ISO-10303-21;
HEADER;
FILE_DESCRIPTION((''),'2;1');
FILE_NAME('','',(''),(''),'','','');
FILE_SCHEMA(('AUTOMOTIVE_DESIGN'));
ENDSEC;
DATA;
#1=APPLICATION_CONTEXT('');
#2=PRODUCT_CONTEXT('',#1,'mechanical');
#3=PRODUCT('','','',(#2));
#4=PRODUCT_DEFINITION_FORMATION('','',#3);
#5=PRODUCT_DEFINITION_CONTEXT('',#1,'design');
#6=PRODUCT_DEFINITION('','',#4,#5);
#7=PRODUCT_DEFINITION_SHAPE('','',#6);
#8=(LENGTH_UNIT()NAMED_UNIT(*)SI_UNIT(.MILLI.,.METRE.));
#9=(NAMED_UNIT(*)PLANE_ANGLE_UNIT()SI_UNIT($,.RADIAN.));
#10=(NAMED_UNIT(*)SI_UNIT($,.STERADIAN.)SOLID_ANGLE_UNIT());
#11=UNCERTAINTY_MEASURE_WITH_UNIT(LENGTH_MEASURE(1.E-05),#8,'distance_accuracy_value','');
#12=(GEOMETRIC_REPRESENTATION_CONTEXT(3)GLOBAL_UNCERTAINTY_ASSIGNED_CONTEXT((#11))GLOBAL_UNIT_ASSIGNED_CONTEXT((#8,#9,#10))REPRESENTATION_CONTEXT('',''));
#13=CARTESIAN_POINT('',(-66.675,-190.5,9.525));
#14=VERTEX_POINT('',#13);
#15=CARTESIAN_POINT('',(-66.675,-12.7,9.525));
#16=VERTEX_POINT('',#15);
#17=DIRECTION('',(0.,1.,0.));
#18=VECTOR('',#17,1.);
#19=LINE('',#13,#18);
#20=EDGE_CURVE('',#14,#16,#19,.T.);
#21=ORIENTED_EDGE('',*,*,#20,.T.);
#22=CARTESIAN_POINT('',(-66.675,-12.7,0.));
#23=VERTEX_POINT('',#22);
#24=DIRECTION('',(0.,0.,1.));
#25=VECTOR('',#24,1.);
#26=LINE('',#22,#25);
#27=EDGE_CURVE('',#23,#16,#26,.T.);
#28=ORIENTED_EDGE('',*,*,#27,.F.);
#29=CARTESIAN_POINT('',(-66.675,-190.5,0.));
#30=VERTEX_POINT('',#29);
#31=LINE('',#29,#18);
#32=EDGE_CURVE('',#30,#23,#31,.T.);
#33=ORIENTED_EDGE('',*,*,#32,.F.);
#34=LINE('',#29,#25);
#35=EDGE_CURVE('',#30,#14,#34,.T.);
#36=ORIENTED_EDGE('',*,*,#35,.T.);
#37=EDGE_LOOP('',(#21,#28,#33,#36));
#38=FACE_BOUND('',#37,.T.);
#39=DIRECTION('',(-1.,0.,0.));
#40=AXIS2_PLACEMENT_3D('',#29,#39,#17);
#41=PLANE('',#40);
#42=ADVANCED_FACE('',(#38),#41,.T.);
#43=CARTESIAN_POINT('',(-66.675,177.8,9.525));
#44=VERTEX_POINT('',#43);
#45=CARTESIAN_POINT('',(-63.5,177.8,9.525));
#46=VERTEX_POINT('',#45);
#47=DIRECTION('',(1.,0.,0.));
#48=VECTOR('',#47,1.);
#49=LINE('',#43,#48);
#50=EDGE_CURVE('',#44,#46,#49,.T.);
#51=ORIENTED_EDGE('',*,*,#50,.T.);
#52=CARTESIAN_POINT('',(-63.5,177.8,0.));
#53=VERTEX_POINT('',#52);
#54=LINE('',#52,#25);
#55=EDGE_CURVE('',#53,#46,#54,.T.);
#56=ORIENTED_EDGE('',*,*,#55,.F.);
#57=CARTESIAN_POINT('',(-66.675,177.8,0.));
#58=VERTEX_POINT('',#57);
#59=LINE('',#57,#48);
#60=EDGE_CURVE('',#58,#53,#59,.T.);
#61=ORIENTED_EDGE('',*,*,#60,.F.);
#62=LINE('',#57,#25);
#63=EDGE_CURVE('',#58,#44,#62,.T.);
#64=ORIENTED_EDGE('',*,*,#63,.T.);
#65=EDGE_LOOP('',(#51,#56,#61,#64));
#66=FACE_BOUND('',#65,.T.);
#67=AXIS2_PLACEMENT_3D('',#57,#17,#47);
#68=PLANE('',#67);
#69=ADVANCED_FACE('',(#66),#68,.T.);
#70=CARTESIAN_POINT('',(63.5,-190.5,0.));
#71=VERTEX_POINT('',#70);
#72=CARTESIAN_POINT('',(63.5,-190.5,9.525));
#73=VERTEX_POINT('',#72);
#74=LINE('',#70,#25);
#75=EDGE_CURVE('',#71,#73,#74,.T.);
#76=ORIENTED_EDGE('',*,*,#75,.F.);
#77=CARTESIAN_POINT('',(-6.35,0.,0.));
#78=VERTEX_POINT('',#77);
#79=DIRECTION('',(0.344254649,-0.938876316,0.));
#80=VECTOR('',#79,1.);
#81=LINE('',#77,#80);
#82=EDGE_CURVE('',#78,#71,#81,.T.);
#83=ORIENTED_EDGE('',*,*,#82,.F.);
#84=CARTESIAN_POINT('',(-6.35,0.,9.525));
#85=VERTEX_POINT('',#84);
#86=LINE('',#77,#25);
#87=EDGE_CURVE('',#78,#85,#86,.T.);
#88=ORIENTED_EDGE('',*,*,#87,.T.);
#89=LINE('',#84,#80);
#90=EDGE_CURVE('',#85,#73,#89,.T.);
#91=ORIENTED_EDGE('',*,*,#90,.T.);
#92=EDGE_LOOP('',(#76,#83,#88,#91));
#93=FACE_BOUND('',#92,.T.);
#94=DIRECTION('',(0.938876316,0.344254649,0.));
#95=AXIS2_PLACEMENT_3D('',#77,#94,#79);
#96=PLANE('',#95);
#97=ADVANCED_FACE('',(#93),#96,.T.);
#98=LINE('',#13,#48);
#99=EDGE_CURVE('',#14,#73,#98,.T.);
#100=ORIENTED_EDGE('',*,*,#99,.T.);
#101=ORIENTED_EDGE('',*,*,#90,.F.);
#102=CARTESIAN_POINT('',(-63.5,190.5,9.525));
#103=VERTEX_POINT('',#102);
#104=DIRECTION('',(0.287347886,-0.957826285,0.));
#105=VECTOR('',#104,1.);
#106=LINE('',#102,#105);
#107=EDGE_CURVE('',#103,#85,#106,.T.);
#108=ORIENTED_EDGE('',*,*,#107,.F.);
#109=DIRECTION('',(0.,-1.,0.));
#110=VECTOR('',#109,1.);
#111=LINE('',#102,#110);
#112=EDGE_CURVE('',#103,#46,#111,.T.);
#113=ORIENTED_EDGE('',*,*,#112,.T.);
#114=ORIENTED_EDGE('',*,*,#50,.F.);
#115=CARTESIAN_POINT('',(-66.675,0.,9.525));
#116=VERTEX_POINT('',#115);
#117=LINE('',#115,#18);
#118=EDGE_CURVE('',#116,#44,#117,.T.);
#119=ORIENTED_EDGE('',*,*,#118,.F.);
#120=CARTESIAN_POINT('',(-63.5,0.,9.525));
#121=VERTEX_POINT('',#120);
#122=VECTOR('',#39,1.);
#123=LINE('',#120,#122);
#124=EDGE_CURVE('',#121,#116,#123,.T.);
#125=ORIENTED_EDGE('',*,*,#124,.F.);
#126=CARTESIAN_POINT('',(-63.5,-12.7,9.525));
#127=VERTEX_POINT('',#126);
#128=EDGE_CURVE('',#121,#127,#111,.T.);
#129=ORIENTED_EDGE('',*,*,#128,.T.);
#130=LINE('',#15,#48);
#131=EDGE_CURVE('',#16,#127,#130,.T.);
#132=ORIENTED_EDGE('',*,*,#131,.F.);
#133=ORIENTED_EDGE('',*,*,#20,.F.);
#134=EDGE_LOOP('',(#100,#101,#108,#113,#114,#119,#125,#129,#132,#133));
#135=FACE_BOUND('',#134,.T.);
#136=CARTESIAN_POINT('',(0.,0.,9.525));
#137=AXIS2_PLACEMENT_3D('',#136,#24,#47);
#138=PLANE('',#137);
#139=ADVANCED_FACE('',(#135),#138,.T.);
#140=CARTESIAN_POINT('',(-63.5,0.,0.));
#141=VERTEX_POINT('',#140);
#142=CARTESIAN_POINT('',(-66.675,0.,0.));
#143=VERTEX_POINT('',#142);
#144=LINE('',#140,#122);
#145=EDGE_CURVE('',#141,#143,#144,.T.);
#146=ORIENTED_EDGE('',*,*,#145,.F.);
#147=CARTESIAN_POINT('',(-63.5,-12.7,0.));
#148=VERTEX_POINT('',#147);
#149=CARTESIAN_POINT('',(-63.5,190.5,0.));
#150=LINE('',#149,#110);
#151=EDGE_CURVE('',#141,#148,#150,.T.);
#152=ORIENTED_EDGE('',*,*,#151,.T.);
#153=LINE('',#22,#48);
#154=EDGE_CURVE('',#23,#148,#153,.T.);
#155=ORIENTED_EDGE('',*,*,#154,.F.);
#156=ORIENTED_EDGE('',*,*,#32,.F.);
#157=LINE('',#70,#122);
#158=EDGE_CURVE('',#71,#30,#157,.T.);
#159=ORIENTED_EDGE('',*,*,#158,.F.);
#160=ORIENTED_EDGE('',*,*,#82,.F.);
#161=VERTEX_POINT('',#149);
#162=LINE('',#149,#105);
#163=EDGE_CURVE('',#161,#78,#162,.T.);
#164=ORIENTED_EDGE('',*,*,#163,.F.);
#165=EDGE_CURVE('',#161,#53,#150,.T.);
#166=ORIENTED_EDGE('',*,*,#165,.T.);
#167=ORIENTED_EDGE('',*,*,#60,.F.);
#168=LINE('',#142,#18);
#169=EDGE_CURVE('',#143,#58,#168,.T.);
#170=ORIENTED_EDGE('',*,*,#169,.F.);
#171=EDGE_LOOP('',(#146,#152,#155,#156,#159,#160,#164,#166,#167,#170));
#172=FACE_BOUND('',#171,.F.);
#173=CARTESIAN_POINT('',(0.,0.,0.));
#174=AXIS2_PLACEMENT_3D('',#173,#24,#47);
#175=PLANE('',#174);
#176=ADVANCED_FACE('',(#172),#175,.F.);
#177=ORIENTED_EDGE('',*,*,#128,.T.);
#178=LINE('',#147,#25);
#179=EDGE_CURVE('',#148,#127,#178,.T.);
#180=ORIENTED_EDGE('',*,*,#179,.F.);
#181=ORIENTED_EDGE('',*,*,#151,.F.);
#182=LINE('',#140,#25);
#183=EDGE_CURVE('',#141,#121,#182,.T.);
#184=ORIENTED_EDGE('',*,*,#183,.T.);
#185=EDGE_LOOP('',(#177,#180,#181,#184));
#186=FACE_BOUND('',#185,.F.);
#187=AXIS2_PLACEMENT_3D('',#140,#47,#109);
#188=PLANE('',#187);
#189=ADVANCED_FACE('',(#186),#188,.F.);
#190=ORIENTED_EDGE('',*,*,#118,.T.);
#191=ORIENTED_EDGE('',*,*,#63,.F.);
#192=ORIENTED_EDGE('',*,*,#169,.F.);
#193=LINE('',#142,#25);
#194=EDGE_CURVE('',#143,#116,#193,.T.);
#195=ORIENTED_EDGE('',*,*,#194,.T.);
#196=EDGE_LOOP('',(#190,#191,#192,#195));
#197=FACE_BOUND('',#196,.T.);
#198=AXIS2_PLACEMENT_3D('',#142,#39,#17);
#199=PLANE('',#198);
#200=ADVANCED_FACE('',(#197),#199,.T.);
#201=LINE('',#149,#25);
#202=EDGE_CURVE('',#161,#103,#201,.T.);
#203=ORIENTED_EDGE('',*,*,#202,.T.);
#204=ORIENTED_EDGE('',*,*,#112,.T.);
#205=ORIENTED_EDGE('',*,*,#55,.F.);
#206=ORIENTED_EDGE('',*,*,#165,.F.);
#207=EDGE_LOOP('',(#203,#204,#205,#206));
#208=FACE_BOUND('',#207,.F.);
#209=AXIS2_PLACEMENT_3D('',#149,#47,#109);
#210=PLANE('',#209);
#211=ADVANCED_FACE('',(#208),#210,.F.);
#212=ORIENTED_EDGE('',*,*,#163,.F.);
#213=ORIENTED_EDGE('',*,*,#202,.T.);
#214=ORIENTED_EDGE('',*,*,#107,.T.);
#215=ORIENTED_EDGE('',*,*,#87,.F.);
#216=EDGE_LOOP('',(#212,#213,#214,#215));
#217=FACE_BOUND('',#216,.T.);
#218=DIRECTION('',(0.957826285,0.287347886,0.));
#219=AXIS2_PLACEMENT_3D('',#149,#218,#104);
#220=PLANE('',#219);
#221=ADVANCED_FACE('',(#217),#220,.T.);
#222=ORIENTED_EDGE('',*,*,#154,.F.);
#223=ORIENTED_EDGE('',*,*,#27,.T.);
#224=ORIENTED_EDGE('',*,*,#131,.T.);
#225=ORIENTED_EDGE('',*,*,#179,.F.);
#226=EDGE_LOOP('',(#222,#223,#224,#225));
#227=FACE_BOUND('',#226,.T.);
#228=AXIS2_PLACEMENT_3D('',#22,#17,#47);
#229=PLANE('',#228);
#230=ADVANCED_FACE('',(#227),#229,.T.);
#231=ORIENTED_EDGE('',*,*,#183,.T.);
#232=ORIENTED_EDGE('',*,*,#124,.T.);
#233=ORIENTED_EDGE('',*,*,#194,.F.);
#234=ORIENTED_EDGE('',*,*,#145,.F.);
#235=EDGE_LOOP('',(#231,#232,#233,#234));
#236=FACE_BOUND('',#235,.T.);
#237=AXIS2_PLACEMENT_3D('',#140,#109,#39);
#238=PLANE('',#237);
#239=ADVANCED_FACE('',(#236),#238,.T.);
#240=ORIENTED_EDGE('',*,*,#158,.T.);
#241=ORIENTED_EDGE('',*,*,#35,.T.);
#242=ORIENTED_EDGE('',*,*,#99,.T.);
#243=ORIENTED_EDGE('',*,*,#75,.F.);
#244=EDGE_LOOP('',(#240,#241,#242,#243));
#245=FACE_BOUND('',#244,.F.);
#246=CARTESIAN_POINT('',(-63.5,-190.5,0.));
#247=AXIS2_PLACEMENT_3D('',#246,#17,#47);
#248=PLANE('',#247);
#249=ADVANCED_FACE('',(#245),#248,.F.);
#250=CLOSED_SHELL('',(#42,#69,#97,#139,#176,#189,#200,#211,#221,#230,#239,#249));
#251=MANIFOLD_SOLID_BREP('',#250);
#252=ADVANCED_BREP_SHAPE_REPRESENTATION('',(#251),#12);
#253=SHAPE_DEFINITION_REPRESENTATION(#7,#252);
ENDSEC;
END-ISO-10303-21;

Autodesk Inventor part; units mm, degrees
ref_plane "YZ Plane" through (0, 0, 0) normal (1, 0, 0) x (0, 1, 0)
ref_plane "XZ Plane" through (0, 0, 0) normal (0, 1, 0) x (-1, 0, 0)
ref_plane "XY Plane" through (0, 0, 0) normal (0, 0, 1) x (1, 0, 0)
sketch "Sketch1" plane through (0, 0, 0) normal (0, 0, 1) x (1, 0, 0)
  line L0 (-63.5, -190.5) -> (63.5, -190.5)
  line L1 (63.5, -190.5) -> (63.5, 190.5) construction
  line L2 (63.5, 190.5) -> (-63.5, 190.5) construction
  line L3 (-63.5, 190.5) -> (-63.5, -190.5)
  line L4 (-63.5, -190.5) -> (63.5, 190.5) construction
  line L5 (63.5, -190.5) -> (-63.5, 190.5) construction
  line L6 (-63.5, 190.5) -> (-6.35, 0)
  line L7 (-6.35, 0) -> (63.5, -190.5)
  line L8 (-63.5, -190.5) -> (-66.675, -190.5)
  line L9 (-66.675, -190.5) -> (-66.675, -12.7)
  line L10 (-66.675, -12.7) -> (-63.5, -12.7)
  line L11 (-63.5, -12.7) -> (-63.5, -190.5)
  line L12 (-63.5, 0) -> (-66.675, 0)
  line L13 (-66.675, 0) -> (-66.675, 177.8)
  line L14 (-66.675, 177.8) -> (-63.5, 177.8)
  line L15 (-63.5, 177.8) -> (-63.5, 0)
  point P0 (0, 0)
  dimension "d0" = 381
  dimension "d1" = 127
  dimension "d2" = 190.5
  dimension "d3" = 57.15
  dimension "d7" = 3.175
  dimension "d8" = 177.8
  dimension "d9" = 3.175
  dimension "d10" = 12.7
  dimension "d11" = 12.7
extrude "Extrusion1" add sketch "Sketch1" along normal blind 9.525
equation "\"d2\" = 0.5 * d0"
properties part number "Fin"
